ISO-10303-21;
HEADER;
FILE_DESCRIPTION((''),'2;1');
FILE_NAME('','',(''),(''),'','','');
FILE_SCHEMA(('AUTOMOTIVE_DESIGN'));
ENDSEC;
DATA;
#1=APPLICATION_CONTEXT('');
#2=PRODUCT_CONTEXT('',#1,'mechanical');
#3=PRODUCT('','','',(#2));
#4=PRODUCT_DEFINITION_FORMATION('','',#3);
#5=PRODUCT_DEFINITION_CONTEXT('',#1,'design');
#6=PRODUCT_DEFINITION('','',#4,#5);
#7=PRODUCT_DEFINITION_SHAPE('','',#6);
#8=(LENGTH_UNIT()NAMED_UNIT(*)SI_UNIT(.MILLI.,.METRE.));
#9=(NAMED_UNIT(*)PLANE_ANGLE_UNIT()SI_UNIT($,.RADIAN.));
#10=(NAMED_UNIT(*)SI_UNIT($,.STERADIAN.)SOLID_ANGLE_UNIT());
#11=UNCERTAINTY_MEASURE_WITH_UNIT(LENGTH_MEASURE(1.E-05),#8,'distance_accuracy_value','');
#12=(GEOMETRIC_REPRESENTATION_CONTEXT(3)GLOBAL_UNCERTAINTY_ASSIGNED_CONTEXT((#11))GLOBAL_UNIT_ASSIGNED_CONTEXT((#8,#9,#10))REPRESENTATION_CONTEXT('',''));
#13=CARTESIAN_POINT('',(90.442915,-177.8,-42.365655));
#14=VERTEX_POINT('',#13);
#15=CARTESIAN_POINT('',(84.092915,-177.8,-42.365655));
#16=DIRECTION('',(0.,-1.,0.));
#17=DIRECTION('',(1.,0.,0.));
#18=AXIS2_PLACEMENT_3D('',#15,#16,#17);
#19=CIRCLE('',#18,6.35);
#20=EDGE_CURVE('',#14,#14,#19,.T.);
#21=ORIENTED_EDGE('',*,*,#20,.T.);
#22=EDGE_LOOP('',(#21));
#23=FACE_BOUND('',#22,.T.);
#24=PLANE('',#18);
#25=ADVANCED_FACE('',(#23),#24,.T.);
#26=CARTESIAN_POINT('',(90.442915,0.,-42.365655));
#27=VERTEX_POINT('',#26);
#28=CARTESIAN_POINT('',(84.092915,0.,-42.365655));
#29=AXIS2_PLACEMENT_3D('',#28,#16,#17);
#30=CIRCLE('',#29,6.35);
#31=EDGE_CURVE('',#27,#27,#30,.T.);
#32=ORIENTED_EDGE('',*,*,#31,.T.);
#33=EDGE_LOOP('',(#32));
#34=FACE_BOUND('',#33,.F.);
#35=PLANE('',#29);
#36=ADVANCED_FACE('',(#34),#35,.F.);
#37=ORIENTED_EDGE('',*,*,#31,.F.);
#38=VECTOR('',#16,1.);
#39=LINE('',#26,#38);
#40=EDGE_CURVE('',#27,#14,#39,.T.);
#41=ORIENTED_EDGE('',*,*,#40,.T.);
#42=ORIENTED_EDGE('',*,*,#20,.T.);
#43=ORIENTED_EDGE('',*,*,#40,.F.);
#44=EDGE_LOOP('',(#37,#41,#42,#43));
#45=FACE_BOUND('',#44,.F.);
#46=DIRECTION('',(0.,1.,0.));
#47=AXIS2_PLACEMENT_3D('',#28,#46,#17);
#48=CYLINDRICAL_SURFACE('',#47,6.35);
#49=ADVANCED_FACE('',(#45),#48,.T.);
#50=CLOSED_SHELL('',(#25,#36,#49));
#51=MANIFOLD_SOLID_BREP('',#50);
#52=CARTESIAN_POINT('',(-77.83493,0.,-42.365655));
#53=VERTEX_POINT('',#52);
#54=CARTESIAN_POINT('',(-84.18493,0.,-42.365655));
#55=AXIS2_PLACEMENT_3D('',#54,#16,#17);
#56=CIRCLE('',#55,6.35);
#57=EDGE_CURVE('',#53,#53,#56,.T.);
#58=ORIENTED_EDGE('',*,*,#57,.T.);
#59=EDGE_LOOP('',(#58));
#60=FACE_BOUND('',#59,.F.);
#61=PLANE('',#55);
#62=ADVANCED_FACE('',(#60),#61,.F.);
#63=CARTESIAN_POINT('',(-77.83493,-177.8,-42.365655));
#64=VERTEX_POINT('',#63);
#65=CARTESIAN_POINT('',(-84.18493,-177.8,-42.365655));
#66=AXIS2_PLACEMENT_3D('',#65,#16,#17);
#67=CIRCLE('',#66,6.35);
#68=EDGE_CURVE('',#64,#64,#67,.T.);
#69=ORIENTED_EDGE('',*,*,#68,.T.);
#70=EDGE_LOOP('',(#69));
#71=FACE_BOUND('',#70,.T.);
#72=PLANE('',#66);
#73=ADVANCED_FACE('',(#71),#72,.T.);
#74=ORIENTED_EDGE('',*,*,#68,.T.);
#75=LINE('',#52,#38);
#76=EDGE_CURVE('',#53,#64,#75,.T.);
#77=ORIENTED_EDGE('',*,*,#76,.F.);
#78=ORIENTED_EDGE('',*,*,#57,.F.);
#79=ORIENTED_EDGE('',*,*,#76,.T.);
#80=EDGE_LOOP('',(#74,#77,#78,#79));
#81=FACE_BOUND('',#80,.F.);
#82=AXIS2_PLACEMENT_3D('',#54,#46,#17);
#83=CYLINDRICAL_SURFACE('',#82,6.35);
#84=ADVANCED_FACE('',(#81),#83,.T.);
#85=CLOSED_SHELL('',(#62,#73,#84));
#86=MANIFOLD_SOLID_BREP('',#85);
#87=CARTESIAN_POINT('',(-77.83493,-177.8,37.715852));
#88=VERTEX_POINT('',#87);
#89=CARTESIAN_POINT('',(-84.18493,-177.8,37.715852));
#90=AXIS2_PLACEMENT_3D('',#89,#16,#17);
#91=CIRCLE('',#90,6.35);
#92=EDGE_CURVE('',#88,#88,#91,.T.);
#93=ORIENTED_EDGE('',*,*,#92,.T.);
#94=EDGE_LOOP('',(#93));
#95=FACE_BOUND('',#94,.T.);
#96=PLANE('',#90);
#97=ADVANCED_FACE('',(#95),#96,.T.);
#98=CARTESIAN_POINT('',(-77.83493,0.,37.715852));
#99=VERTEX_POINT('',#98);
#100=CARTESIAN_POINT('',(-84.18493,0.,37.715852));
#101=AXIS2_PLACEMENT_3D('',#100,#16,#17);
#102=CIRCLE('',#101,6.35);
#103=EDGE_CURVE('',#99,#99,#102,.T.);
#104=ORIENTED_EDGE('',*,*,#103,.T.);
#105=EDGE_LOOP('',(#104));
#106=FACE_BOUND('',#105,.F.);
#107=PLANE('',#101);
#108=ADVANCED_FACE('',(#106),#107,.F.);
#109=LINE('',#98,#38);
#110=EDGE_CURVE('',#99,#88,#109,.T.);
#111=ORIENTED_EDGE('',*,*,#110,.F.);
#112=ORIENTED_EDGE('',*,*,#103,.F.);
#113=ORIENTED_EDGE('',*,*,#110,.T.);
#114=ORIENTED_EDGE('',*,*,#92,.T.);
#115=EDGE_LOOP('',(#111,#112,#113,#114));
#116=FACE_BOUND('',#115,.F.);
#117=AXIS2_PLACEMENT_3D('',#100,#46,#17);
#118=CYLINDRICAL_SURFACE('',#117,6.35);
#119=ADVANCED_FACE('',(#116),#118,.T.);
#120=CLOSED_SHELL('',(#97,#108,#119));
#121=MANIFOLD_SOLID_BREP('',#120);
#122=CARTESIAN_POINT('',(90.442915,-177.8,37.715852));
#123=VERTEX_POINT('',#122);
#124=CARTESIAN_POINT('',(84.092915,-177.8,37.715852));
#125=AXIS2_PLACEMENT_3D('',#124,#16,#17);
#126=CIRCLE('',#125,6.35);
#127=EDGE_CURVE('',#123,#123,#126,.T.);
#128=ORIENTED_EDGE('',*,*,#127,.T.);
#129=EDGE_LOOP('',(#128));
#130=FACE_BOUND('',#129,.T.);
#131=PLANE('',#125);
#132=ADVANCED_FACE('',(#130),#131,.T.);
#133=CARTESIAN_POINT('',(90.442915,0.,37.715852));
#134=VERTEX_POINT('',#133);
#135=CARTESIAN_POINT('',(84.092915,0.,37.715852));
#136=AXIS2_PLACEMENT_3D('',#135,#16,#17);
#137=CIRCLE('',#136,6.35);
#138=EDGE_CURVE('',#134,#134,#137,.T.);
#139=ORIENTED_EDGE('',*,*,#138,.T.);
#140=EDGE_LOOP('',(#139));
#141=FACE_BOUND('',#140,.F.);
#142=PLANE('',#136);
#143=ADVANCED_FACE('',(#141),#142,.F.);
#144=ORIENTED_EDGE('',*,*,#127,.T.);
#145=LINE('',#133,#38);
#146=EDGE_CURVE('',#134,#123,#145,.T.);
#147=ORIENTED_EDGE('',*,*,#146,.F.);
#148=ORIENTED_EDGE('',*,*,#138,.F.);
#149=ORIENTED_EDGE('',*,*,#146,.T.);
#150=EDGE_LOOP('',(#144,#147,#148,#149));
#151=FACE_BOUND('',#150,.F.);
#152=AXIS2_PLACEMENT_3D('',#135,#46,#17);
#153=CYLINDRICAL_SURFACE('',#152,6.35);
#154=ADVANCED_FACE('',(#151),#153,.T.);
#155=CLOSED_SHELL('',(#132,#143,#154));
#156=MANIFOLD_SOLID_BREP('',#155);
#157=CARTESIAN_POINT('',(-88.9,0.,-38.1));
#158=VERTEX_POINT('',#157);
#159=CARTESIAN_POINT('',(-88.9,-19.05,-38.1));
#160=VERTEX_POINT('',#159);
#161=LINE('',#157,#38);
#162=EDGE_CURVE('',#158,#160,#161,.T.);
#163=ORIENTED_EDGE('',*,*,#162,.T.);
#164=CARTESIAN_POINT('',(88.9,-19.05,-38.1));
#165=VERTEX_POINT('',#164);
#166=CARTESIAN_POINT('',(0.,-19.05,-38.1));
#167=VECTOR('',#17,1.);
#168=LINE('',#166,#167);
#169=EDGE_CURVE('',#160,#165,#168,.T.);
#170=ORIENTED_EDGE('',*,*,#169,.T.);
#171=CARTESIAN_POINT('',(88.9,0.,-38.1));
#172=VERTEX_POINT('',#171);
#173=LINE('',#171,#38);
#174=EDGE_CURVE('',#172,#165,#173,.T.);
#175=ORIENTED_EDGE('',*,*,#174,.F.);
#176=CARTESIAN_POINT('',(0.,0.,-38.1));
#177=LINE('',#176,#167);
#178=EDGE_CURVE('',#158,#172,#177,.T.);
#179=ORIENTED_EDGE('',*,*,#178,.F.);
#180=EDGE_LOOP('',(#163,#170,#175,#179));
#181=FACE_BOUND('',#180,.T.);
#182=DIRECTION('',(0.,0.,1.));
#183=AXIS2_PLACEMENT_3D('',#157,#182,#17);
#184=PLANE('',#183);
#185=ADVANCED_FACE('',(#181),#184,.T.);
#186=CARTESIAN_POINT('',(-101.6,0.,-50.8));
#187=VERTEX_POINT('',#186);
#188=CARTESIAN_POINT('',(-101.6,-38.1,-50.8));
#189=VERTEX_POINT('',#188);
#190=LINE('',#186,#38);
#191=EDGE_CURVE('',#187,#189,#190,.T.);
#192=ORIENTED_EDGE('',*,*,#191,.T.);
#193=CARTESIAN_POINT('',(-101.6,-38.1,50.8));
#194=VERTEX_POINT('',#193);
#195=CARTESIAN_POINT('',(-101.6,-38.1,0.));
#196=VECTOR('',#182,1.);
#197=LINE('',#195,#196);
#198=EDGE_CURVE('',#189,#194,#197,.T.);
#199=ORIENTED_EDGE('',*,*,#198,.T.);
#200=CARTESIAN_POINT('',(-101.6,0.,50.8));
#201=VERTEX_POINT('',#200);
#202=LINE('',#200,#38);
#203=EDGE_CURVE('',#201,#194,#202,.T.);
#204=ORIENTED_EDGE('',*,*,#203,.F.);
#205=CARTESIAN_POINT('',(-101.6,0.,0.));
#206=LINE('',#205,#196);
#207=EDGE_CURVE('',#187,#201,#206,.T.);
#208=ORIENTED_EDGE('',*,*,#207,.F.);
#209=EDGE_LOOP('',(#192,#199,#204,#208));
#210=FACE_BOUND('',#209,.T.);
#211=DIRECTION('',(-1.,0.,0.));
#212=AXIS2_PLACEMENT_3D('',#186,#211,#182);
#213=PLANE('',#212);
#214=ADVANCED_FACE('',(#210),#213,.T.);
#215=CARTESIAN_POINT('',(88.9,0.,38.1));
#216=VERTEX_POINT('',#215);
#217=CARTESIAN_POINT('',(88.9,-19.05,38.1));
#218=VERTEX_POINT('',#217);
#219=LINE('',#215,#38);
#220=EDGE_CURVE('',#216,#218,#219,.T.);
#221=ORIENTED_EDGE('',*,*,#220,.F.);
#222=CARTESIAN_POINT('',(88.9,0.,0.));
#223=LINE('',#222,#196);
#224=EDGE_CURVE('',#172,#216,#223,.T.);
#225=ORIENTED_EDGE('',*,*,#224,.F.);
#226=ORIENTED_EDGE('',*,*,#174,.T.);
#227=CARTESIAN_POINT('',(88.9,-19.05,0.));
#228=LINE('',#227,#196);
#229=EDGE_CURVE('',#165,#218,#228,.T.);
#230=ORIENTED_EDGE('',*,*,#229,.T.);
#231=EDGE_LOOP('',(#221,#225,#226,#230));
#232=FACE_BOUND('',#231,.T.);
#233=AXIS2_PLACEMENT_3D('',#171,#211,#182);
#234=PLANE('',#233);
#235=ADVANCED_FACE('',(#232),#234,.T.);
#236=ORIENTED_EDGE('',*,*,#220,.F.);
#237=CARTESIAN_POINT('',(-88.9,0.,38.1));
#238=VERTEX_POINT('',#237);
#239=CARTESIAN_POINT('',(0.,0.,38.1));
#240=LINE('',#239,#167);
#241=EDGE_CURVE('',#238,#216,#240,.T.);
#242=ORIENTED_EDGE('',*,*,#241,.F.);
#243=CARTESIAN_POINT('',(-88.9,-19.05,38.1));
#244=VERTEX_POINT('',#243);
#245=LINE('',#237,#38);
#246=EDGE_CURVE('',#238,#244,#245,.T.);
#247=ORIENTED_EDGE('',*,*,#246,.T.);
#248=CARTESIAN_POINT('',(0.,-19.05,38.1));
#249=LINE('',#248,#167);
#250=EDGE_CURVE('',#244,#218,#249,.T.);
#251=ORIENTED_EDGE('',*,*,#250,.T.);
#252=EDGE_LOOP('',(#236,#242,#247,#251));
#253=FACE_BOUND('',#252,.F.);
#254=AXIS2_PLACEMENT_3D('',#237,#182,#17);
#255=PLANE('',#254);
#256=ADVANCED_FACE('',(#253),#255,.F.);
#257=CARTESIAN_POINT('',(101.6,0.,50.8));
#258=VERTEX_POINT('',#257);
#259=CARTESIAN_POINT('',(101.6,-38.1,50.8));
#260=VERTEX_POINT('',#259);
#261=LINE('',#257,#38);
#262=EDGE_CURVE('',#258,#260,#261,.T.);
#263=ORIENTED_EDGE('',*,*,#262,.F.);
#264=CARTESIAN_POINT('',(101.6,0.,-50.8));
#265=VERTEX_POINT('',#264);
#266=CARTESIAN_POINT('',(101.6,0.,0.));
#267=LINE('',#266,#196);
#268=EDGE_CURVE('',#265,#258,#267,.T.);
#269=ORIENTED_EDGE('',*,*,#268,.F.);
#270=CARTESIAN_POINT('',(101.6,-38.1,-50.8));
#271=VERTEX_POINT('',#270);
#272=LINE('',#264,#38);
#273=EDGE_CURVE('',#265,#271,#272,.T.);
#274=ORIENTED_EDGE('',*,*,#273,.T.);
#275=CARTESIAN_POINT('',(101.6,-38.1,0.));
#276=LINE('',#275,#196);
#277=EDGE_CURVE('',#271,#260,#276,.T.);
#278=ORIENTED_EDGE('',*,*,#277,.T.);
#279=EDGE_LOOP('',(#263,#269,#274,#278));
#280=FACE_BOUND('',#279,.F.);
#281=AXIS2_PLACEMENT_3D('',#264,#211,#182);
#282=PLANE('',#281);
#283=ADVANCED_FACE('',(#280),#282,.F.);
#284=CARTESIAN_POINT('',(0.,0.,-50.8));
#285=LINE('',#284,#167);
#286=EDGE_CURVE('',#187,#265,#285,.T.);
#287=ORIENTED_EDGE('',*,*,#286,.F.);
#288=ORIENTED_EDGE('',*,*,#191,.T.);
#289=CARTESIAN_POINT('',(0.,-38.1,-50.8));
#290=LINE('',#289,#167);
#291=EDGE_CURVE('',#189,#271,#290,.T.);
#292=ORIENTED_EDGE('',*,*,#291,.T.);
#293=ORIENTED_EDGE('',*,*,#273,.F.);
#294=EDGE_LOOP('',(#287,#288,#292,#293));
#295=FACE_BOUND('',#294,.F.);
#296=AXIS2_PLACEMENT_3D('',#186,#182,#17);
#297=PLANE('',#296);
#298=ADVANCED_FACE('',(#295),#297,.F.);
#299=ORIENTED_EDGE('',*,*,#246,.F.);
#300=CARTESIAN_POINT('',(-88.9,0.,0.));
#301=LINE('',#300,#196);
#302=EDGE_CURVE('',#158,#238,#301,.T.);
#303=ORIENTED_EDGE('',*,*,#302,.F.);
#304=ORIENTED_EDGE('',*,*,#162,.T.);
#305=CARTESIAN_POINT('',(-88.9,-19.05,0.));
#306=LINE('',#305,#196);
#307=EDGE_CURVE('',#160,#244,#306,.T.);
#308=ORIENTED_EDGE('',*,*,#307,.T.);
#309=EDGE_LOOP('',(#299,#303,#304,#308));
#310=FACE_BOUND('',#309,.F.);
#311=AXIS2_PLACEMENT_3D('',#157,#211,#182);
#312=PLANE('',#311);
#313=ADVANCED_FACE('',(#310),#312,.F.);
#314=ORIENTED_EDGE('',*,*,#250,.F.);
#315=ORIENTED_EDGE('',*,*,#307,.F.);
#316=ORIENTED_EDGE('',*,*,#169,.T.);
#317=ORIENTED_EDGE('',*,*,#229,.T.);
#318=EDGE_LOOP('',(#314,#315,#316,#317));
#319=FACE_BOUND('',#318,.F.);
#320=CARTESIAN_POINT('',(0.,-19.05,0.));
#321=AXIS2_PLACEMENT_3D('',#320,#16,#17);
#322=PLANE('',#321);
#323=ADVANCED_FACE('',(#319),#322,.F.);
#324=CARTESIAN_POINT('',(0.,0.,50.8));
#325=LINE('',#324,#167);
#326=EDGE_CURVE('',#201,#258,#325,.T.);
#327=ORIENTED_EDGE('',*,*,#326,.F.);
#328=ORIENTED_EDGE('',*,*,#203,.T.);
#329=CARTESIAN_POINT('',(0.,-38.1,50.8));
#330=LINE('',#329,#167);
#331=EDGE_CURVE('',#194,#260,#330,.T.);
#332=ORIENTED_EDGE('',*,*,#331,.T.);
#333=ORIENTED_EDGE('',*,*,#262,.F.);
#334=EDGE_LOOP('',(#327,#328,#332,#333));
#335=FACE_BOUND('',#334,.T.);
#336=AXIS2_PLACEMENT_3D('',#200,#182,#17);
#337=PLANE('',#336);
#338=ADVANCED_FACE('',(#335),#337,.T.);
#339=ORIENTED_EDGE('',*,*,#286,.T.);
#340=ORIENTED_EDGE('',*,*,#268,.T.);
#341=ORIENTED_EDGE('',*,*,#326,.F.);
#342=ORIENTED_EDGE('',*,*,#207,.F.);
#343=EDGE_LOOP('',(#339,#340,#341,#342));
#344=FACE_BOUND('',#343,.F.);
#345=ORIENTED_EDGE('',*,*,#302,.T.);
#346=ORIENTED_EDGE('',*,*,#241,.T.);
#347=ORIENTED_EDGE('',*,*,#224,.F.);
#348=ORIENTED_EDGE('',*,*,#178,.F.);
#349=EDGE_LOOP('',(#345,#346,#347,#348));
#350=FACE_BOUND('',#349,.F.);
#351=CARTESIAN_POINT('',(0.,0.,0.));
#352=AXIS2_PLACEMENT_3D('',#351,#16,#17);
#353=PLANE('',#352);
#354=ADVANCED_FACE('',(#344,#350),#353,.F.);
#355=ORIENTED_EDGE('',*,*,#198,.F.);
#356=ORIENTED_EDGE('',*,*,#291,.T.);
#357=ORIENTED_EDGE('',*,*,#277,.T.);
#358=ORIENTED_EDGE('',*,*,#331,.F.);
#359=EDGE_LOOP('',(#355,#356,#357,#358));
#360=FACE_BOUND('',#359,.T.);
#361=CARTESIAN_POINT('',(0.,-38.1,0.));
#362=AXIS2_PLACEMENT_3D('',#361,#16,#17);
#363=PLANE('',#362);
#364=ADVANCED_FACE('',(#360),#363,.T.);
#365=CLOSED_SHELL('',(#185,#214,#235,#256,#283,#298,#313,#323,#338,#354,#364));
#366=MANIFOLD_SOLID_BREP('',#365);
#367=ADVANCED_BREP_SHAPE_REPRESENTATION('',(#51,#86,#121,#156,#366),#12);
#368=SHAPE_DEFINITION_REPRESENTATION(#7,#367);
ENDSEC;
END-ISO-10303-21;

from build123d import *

# Parameters (mm, degrees)
F0_W     = 203.2
F0_H     = 101.6
F0_R     = 6.35
F1_DEPTH = 38.1
F2_W     = 177.8
F2_H     = 76.2
F3_DEPTH = 19.05
F4_DEPTH = 177.8


with BuildPart() as f1:
    # F0 (on Front) → F1 (new body)
    with BuildSketch(Plane.XZ):
        Rectangle(F0_W, F0_H)
        with Locations((-84.18493, -42.365655)):
            Circle(F0_R, mode=Mode.SUBTRACT)
        with Locations((84.092915, -42.365655)):
            Circle(F0_R, mode=Mode.SUBTRACT)
        with Locations((-84.18493, 37.715852)):
            Circle(F0_R, mode=Mode.SUBTRACT)
        with Locations((84.092915, 37.715852)):
            Circle(F0_R, mode=Mode.SUBTRACT)
        with Locations((84.092915, -42.365655)):
            Circle(F0_R)
        with Locations((84.092915, 37.715852)):
            Circle(F0_R)
        with Locations((-84.18493, 37.715852)):
            Circle(F0_R)
        with Locations((-84.18493, -42.365655)):
            Circle(F0_R)
    extrude(amount=F1_DEPTH)

    # F2 (on Front) → F3 (cut)
    with BuildSketch(Plane.XZ):
        Rectangle(F2_W, F2_H)
    extrude(amount=F3_DEPTH, mode=Mode.SUBTRACT)


with BuildPart() as f4:
    # F0 (on Front) → F4 (new body)
    with BuildSketch(Plane.XZ):
        with Locations((-84.18493, -42.365655)):
            Circle(F0_R)
        with Locations((-84.18493, 37.715852)):
            Circle(F0_R)
        with Locations((84.092915, -42.365655)):
            Circle(F0_R)
        with Locations((84.092915, 37.715852)):
            Circle(F0_R)
    extrude(amount=F4_DEPTH)


solid = Compound([f1.part, f4.part])
